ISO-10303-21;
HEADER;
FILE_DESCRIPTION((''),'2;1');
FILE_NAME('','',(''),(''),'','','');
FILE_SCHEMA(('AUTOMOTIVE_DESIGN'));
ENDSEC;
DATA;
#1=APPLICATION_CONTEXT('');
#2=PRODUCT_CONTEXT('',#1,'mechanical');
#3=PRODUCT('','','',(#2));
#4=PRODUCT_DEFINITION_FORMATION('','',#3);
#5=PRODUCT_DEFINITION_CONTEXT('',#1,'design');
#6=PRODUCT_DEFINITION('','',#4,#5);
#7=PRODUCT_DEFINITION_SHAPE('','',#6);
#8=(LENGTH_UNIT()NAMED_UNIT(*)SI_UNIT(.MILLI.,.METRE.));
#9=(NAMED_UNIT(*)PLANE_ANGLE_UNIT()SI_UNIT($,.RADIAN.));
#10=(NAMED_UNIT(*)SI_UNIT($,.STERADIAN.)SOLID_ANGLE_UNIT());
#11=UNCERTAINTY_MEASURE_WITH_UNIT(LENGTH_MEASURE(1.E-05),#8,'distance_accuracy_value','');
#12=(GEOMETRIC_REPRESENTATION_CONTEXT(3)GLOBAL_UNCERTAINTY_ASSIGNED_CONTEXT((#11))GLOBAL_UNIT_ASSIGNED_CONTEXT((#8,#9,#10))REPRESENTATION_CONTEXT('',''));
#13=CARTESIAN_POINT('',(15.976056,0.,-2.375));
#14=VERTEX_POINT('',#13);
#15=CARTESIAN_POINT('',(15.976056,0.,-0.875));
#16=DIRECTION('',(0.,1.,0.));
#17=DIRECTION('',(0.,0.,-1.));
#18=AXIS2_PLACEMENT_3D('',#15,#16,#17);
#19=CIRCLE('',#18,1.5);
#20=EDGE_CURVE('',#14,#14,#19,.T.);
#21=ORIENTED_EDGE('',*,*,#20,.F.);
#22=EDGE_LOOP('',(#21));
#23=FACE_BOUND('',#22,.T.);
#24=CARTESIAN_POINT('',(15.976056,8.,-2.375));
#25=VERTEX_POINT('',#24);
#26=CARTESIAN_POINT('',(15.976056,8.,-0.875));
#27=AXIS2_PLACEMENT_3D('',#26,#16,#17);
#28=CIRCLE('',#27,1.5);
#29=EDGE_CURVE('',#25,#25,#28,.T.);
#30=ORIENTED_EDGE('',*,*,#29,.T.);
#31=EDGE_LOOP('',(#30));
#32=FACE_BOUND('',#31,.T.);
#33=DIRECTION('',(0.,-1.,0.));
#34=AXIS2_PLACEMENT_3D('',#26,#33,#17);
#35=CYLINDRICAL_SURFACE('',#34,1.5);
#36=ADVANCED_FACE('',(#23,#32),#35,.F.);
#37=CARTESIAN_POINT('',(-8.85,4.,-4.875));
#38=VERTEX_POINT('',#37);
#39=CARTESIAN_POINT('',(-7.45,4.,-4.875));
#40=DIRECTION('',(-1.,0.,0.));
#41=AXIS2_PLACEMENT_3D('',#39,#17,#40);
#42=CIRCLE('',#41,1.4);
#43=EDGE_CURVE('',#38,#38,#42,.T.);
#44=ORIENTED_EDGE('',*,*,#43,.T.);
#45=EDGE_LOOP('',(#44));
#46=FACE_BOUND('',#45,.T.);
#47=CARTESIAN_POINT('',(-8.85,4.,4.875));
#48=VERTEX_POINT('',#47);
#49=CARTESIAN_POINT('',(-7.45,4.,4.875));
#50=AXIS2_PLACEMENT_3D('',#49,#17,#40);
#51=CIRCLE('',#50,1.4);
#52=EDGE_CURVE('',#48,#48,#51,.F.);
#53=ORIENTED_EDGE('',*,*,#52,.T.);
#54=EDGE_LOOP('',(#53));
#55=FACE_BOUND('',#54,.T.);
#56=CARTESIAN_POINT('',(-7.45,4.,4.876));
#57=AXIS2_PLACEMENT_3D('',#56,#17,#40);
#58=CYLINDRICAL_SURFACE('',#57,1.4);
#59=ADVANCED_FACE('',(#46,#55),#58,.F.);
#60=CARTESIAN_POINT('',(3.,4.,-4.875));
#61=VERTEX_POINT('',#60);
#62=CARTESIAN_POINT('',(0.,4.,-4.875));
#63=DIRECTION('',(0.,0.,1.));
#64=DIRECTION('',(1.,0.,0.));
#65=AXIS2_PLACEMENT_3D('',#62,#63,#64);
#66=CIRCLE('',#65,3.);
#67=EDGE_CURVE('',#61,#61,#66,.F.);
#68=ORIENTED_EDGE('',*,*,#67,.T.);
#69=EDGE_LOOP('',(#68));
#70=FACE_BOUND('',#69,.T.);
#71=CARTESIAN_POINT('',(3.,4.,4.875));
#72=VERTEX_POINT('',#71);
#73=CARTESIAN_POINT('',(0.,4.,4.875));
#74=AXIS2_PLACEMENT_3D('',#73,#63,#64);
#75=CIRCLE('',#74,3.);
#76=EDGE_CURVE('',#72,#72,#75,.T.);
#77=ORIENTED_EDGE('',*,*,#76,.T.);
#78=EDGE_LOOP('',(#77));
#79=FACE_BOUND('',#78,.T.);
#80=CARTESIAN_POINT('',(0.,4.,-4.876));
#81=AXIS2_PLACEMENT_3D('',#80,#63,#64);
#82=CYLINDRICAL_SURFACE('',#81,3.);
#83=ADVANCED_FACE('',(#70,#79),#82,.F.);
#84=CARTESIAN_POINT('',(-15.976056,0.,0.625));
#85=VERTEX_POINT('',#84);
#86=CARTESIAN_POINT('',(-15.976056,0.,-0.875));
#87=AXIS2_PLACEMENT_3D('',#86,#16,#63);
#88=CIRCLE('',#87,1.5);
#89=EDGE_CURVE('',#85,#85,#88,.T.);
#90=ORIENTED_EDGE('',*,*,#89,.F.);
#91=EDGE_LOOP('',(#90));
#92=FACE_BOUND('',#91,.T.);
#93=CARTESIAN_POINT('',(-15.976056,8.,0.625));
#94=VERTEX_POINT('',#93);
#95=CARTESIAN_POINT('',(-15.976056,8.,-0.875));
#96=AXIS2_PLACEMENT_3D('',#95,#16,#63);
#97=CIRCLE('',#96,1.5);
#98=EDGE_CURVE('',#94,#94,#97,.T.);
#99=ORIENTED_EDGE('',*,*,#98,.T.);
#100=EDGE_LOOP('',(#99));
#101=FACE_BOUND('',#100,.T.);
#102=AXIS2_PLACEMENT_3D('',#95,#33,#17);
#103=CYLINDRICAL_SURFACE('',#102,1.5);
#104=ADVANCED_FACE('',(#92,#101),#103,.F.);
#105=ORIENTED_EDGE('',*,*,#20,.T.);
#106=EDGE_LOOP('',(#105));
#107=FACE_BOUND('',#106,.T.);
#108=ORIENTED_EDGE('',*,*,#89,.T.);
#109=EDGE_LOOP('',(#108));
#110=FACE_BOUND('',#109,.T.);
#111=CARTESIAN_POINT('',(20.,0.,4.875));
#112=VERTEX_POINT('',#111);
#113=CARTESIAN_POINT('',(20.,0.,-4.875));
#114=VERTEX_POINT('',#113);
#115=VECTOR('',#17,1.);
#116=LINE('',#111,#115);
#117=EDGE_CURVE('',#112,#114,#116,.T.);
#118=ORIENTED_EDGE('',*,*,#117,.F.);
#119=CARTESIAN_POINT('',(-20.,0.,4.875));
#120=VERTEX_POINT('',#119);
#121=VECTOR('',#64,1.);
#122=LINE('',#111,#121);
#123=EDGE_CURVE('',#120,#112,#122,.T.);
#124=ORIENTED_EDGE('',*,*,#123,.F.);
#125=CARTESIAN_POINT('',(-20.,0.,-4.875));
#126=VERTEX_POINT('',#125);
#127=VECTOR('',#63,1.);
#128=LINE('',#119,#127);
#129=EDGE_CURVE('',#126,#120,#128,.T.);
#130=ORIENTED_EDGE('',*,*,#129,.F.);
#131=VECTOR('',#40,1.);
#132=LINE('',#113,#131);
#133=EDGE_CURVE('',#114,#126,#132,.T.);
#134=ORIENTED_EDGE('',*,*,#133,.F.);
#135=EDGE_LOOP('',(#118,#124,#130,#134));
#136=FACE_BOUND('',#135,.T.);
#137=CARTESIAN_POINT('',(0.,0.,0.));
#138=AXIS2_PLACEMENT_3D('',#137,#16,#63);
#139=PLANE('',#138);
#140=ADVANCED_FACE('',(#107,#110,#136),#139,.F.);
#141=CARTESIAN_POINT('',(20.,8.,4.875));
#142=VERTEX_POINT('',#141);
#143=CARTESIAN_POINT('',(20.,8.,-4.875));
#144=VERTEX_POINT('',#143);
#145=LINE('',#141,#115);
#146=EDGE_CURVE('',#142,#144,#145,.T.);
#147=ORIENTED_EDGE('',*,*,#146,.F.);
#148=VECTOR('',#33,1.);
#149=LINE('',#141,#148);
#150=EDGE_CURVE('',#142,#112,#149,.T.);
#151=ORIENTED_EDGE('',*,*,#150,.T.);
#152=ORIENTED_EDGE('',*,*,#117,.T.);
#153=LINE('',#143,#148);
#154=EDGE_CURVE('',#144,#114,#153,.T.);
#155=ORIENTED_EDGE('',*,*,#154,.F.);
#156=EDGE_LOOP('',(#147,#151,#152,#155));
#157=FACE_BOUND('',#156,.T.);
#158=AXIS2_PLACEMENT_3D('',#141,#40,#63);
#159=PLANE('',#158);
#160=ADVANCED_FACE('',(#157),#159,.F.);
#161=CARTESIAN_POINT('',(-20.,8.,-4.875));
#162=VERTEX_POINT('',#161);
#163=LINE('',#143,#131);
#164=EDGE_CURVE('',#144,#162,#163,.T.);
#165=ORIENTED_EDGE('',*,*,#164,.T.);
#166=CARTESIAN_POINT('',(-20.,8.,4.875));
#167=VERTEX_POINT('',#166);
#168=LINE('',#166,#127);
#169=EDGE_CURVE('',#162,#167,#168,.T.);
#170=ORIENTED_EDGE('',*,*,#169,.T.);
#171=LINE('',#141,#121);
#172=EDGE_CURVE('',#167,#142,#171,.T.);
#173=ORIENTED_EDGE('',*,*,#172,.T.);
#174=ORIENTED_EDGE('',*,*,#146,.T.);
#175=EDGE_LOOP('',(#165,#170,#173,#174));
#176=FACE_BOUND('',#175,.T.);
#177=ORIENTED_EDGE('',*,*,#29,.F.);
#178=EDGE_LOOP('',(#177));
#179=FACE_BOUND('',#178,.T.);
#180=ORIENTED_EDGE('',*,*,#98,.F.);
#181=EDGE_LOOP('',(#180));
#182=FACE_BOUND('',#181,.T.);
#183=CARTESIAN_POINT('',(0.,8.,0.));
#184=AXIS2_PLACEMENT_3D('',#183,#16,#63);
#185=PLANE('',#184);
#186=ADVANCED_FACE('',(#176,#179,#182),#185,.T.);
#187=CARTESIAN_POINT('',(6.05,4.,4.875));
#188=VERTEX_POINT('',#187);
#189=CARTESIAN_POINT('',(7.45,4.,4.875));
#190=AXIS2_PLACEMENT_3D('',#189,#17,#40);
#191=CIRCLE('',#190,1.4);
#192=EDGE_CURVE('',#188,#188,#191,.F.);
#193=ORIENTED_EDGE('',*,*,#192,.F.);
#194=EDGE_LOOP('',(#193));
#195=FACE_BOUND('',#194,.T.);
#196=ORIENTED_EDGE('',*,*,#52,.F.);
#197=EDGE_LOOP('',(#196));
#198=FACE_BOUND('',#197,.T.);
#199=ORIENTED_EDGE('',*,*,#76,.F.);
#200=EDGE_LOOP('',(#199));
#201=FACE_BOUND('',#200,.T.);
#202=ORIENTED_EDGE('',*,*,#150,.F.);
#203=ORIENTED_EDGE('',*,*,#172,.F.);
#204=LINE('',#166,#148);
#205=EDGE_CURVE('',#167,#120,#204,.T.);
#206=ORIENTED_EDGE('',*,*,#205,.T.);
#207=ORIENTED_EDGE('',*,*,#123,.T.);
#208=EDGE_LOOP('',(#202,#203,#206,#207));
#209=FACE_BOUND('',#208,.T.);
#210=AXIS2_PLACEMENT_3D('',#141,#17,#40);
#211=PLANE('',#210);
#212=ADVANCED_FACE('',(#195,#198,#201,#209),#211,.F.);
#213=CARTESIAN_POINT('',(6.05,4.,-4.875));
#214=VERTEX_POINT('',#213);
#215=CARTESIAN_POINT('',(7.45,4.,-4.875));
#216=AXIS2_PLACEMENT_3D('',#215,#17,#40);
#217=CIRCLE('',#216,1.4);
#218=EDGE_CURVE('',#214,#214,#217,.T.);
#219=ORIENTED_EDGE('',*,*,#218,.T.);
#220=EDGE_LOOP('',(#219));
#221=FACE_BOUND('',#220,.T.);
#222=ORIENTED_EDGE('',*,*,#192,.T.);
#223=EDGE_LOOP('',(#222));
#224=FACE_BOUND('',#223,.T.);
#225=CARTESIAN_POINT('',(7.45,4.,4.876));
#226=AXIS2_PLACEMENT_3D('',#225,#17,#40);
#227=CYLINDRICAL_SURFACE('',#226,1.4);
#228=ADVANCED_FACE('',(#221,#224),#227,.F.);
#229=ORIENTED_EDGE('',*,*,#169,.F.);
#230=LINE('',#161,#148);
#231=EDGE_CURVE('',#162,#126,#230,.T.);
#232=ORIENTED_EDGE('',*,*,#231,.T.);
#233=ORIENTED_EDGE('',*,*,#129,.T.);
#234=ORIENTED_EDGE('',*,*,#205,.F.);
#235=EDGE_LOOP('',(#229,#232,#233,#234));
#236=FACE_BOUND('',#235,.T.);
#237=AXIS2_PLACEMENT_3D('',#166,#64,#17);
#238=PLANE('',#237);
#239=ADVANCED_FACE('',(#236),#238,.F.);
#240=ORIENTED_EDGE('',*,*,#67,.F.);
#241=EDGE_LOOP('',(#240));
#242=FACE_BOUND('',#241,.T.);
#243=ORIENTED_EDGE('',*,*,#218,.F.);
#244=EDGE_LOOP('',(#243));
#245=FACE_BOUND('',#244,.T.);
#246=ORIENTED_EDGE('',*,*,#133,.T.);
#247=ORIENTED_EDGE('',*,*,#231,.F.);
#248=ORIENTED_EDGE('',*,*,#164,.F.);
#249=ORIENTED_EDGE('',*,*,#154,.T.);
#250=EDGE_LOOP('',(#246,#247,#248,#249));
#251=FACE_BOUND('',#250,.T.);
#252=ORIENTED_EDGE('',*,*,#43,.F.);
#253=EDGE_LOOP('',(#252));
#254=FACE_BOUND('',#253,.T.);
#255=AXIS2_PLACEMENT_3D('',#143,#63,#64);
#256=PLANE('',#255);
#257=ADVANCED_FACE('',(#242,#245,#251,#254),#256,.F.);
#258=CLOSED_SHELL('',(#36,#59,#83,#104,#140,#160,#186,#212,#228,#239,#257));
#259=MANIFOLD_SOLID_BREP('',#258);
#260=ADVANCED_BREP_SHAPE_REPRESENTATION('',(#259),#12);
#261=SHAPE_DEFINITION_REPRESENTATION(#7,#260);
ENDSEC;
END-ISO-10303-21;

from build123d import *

# Parameters (mm, degrees)
SKETCH1_W           = 40
SKETCH1_H           = 9.75
SKETCH1_R           = 1.5
BOSS_EXTRUDE1_DEPTH = 8
CUT_EXTRUDE1_REACH  = 25.645
CUT_EXTRUDE2_REACH  = 25.645
SKETCH3_R           = 1.4


with BuildPart() as part:
    # Sketch1 → Boss-Extrude1 (new body)
    with BuildSketch(Plane(origin=(0, 0, 0), x_dir=(1, 0, 0), z_dir=(0, 1, 0))):
        Rectangle(SKETCH1_W, SKETCH1_H)
        with Locations(Location((-15.976056303, 0.875, 0), (0, 0, 270))):
            Circle(SKETCH1_R, mode=Mode.SUBTRACT)
        with Locations(Location((15.976056303, 0.875, 0), (0, 0, 90))):
            Circle(SKETCH1_R, mode=Mode.SUBTRACT)
    extrude(amount=BOSS_EXTRUDE1_DEPTH)

    # Sketch2 → Cut-Extrude1 (cut, up to next)
    with BuildSketch(Plane.XY.offset(4.875), mode=Mode.PRIVATE) as cut_extrude1_sk1:
        with BuildLine():
            ThreePointArc((3, 4), (2.121320344, 6.121320344), (0, 7))
            Line((0, 7), (0, 1))
            ThreePointArc((0, 1), (2.121320344, 1.878679656), (3, 4))
        make_face()
    cut_extrude1_tool1 = extrude(cut_extrude1_sk1.sketch, amount=-CUT_EXTRUDE1_REACH, mode=Mode.PRIVATE) & part.part
    # Sketch2 → Cut-Extrude1 (cut, up to next)
    with BuildSketch(Plane.XY.offset(4.875), mode=Mode.PRIVATE) as cut_extrude1_sk2:
        with BuildLine():
            Line((0, 1), (0, 7))
            ThreePointArc((0, 7), (-3, 4), (0, 1))
        make_face()
    cut_extrude1_tool2 = extrude(cut_extrude1_sk2.sketch, amount=-CUT_EXTRUDE1_REACH, mode=Mode.PRIVATE) & part.part
    # Sketch2 → Cut-Extrude1 (cut, up to next)
    with BuildSketch(Plane.XY.offset(4.875), mode=Mode.PRIVATE) as cut_extrude1_sk3:
        with BuildLine():
            ThreePointArc((3, 4), (2.121320344, 6.121320344), (0, 7))
            Line((0, 7), (0, 1))
            ThreePointArc((0, 1), (2.121320344, 1.878679656), (3, 4))
        make_face()
    cut_extrude1_tool3 = extrude(cut_extrude1_sk3.sketch, amount=-CUT_EXTRUDE1_REACH, mode=Mode.PRIVATE) & part.part
    # Sketch2 → Cut-Extrude1 (cut, up to next)
    with BuildSketch(Plane.XY.offset(4.875), mode=Mode.PRIVATE) as cut_extrude1_sk4:
        with BuildLine():
            Line((0, 1), (0, 7))
            ThreePointArc((0, 7), (-3, 4), (0, 1))
        make_face()
    cut_extrude1_tool4 = extrude(cut_extrude1_sk4.sketch, amount=-CUT_EXTRUDE1_REACH, mode=Mode.PRIVATE) & part.part
    add(cut_extrude1_tool1.solids().sort_by_distance((1.27324, 4, 4.875))[0], mode=Mode.SUBTRACT)
    add(cut_extrude1_tool2.solids().sort_by_distance((-1.27324, 4, 4.875))[0], mode=Mode.SUBTRACT)
    add(cut_extrude1_tool3.solids().sort_by_distance((1.27324, 4, 4.875))[0], mode=Mode.SUBTRACT)
    add(cut_extrude1_tool4.solids().sort_by_distance((-1.27324, 4, 4.875))[0], mode=Mode.SUBTRACT)

    # Sketch3 → Cut-Extrude2 (cut, up to next)
    with BuildSketch(Plane(origin=(0, 0, -4.875), x_dir=(-1, 0, 0), z_dir=(0, 0, -1)), mode=Mode.PRIVATE) as cut_extrude2_sk1:
        with Locations((7.45, 4)):
            Circle(SKETCH3_R)
    cut_extrude2_tool1 = extrude(cut_extrude2_sk1.sketch, amount=-CUT_EXTRUDE2_REACH, mode=Mode.PRIVATE) & part.part
    # Sketch3 → Cut-Extrude2 (cut, up to next)
    with BuildSketch(Plane(origin=(0, 0, -4.875), x_dir=(-1, 0, 0), z_dir=(0, 0, -1)), mode=Mode.PRIVATE) as cut_extrude2_sk2:
        with Locations((-7.45, 4)):
            Circle(SKETCH3_R)
    cut_extrude2_tool2 = extrude(cut_extrude2_sk2.sketch, amount=-CUT_EXTRUDE2_REACH, mode=Mode.PRIVATE) & part.part
    add(cut_extrude2_tool1.solids().sort_by_distance((-7.45, 4, -4.875))[0], mode=Mode.SUBTRACT)
    add(cut_extrude2_tool2.solids().sort_by_distance((7.45, 4, -4.875))[0], mode=Mode.SUBTRACT)


solid = part.part
